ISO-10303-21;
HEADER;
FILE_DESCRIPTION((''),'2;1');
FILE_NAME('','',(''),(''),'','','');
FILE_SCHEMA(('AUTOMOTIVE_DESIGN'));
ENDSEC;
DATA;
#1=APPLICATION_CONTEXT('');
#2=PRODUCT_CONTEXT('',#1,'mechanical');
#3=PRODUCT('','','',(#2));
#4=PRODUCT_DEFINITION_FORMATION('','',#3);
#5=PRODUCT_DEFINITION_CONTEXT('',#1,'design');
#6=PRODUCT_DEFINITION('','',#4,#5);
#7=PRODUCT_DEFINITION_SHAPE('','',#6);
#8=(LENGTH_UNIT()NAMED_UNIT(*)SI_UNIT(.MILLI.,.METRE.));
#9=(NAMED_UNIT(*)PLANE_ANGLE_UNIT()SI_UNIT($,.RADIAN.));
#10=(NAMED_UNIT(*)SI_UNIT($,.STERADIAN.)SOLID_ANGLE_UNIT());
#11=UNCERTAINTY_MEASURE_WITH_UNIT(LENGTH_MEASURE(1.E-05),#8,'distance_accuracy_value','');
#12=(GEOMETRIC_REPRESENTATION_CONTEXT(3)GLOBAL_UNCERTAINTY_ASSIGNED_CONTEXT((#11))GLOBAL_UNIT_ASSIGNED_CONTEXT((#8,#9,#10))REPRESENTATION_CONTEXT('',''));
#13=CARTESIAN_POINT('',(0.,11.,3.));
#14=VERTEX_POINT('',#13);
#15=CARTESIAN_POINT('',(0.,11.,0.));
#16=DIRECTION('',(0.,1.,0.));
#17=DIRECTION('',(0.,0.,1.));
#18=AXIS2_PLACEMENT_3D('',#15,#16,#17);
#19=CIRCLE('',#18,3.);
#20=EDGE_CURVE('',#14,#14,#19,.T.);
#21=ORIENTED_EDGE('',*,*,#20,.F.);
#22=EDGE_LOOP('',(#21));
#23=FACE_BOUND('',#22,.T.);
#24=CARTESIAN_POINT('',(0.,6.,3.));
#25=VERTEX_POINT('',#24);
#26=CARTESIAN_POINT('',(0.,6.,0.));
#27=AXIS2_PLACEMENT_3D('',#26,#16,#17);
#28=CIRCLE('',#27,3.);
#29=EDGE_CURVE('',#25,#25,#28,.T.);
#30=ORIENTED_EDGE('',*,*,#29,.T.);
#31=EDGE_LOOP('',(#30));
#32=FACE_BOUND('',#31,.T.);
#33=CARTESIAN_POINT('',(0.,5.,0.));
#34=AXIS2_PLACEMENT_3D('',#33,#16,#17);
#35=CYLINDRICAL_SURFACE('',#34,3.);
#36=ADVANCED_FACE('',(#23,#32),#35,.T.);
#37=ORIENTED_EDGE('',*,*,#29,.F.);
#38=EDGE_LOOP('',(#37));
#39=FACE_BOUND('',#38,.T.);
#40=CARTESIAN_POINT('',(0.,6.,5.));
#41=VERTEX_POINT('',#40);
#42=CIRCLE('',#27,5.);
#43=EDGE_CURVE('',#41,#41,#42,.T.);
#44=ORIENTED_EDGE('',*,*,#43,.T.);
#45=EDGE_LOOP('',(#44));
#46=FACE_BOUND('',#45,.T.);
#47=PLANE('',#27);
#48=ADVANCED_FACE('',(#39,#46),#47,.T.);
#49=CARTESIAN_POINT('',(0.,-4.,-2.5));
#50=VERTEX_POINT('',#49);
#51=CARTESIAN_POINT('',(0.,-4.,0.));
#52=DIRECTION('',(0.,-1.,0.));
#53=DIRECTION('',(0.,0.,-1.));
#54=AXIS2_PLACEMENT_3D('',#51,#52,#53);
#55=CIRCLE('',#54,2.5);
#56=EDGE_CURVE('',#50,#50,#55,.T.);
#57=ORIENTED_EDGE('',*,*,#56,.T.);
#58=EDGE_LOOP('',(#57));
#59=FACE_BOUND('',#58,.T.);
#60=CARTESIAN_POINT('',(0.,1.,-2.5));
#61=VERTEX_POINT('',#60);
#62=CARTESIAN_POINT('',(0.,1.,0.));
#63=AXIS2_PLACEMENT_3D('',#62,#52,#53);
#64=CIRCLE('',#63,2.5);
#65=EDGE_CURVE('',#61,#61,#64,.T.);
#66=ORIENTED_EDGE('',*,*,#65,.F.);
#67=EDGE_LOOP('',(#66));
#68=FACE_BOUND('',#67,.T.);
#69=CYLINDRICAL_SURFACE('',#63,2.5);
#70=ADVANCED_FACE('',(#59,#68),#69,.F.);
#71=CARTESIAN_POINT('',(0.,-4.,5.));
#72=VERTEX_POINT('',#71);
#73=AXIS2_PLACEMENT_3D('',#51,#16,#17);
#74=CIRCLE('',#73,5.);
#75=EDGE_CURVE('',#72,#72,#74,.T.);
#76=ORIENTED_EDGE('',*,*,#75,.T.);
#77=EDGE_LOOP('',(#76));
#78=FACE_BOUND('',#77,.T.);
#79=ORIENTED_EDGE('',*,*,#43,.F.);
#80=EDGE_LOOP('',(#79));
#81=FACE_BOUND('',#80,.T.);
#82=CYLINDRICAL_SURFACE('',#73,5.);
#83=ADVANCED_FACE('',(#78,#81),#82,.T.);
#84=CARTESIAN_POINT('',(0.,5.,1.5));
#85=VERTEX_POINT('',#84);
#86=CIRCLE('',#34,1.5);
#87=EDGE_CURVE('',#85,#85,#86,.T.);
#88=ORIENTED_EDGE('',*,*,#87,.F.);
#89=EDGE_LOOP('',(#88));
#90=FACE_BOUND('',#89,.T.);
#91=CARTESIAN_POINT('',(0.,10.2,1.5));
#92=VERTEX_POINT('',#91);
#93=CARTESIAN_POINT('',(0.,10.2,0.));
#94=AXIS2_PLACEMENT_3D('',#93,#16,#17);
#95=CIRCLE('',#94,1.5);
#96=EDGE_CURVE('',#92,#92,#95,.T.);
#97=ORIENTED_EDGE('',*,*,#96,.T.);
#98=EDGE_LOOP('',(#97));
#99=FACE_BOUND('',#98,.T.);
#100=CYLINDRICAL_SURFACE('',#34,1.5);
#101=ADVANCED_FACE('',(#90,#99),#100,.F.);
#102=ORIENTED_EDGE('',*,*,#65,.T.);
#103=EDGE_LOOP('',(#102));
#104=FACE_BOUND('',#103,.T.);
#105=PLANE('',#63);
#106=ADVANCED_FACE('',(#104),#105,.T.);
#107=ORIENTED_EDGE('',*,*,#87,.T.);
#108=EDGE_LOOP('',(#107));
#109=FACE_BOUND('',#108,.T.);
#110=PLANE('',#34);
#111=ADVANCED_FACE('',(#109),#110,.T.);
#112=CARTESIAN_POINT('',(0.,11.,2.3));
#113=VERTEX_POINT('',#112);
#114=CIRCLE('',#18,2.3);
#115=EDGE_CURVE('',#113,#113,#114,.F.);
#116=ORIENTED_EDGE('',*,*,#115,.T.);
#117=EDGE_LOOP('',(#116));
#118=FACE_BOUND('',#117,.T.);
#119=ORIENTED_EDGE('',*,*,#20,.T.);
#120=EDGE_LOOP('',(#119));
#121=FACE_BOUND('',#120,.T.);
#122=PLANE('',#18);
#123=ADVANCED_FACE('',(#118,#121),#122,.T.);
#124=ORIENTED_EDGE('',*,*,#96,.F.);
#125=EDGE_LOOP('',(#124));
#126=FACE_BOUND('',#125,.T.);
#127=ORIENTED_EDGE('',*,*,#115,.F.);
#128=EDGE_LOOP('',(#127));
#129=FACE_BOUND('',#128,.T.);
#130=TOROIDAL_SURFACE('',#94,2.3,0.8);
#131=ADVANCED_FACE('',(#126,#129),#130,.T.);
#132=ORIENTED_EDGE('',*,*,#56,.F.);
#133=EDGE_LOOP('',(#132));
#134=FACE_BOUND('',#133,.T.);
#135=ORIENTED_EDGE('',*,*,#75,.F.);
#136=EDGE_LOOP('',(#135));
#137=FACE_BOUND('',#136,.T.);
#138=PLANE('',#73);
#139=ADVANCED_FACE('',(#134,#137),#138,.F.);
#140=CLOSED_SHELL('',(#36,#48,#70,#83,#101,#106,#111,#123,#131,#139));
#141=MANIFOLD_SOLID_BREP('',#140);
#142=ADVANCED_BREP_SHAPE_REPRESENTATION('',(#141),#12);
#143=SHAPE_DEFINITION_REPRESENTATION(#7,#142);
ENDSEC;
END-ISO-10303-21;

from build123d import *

# Parameters (mm, degrees)
BOSS_EXTRU_1_DEPTH      = 6
BOSS_EXTRU_1_DEPTH_BACK = 4
ESQUISSE1_R             = 5
BOSS_EXTRU_2_DEPTH      = 5
BOSS_EXTRU_2_DEPTH_BACK = 1
ESQUISSE2_R             = 3
ESQUISSE3_R             = 1.5
ENL_V_MAT_EXTRU_2_DEPTH = 6
ESQUISSE4_R             = 2.5
ENL_V_MAT_EXTRU_3_DEPTH = 5
CONG_1_R                = 0.8


with BuildPart() as part:
    # Esquisse1 → Boss.-Extru.1 (new, two sides: drawn at the far end of the back side and taken through both)
    with BuildSketch(Plane(origin=(0, 0, 0), x_dir=(1, 0, 0), z_dir=(0, 1, 0)).offset(-BOSS_EXTRU_1_DEPTH_BACK)):
        with Locations(Location((0, 0, 0), (0, 0, 270))):
            Circle(ESQUISSE1_R)
    extrude(amount=BOSS_EXTRU_1_DEPTH + BOSS_EXTRU_1_DEPTH_BACK)

    # Esquisse2 → Boss.-Extru.2 (add, two sides: drawn at the far end of the back side and taken through both)
    with BuildSketch(Plane(origin=(0, 6, 0), x_dir=(1, 0, 0), z_dir=(0, 1, 0)).offset(-BOSS_EXTRU_2_DEPTH_BACK)):
        with Locations(Location((0, 0, 0), (0, 0, 270))):
            Circle(ESQUISSE2_R)
    extrude(amount=BOSS_EXTRU_2_DEPTH + BOSS_EXTRU_2_DEPTH_BACK)

    # Esquisse3 → Enlèv. mat.-Extru.2 (cut)
    with BuildSketch(Plane(origin=(0, 11, 0), x_dir=(1, 0, 0), z_dir=(0, 1, 0))):
        with Locations(Location((0, 0, 0), (0, 0, 270))):
            Circle(ESQUISSE3_R)
    extrude(amount=-ENL_V_MAT_EXTRU_2_DEPTH, mode=Mode.SUBTRACT)

    # Esquisse4 → Enlèv. mat.-Extru.3 (cut)
    with BuildSketch(Plane.XZ.offset(4)):
        with Locations(Location((0, 0, 0), (0, 0, 270))):
            Circle(ESQUISSE4_R)
    extrude(amount=-ENL_V_MAT_EXTRU_3_DEPTH, mode=Mode.SUBTRACT)

    # Congé1
    cong_1_edges = [part.edges().sort_by_distance(p)[0] for p in [
        (0, 11, -1.5),
    ]]
    fillet(cong_1_edges, radius=CONG_1_R)


solid = part.part
